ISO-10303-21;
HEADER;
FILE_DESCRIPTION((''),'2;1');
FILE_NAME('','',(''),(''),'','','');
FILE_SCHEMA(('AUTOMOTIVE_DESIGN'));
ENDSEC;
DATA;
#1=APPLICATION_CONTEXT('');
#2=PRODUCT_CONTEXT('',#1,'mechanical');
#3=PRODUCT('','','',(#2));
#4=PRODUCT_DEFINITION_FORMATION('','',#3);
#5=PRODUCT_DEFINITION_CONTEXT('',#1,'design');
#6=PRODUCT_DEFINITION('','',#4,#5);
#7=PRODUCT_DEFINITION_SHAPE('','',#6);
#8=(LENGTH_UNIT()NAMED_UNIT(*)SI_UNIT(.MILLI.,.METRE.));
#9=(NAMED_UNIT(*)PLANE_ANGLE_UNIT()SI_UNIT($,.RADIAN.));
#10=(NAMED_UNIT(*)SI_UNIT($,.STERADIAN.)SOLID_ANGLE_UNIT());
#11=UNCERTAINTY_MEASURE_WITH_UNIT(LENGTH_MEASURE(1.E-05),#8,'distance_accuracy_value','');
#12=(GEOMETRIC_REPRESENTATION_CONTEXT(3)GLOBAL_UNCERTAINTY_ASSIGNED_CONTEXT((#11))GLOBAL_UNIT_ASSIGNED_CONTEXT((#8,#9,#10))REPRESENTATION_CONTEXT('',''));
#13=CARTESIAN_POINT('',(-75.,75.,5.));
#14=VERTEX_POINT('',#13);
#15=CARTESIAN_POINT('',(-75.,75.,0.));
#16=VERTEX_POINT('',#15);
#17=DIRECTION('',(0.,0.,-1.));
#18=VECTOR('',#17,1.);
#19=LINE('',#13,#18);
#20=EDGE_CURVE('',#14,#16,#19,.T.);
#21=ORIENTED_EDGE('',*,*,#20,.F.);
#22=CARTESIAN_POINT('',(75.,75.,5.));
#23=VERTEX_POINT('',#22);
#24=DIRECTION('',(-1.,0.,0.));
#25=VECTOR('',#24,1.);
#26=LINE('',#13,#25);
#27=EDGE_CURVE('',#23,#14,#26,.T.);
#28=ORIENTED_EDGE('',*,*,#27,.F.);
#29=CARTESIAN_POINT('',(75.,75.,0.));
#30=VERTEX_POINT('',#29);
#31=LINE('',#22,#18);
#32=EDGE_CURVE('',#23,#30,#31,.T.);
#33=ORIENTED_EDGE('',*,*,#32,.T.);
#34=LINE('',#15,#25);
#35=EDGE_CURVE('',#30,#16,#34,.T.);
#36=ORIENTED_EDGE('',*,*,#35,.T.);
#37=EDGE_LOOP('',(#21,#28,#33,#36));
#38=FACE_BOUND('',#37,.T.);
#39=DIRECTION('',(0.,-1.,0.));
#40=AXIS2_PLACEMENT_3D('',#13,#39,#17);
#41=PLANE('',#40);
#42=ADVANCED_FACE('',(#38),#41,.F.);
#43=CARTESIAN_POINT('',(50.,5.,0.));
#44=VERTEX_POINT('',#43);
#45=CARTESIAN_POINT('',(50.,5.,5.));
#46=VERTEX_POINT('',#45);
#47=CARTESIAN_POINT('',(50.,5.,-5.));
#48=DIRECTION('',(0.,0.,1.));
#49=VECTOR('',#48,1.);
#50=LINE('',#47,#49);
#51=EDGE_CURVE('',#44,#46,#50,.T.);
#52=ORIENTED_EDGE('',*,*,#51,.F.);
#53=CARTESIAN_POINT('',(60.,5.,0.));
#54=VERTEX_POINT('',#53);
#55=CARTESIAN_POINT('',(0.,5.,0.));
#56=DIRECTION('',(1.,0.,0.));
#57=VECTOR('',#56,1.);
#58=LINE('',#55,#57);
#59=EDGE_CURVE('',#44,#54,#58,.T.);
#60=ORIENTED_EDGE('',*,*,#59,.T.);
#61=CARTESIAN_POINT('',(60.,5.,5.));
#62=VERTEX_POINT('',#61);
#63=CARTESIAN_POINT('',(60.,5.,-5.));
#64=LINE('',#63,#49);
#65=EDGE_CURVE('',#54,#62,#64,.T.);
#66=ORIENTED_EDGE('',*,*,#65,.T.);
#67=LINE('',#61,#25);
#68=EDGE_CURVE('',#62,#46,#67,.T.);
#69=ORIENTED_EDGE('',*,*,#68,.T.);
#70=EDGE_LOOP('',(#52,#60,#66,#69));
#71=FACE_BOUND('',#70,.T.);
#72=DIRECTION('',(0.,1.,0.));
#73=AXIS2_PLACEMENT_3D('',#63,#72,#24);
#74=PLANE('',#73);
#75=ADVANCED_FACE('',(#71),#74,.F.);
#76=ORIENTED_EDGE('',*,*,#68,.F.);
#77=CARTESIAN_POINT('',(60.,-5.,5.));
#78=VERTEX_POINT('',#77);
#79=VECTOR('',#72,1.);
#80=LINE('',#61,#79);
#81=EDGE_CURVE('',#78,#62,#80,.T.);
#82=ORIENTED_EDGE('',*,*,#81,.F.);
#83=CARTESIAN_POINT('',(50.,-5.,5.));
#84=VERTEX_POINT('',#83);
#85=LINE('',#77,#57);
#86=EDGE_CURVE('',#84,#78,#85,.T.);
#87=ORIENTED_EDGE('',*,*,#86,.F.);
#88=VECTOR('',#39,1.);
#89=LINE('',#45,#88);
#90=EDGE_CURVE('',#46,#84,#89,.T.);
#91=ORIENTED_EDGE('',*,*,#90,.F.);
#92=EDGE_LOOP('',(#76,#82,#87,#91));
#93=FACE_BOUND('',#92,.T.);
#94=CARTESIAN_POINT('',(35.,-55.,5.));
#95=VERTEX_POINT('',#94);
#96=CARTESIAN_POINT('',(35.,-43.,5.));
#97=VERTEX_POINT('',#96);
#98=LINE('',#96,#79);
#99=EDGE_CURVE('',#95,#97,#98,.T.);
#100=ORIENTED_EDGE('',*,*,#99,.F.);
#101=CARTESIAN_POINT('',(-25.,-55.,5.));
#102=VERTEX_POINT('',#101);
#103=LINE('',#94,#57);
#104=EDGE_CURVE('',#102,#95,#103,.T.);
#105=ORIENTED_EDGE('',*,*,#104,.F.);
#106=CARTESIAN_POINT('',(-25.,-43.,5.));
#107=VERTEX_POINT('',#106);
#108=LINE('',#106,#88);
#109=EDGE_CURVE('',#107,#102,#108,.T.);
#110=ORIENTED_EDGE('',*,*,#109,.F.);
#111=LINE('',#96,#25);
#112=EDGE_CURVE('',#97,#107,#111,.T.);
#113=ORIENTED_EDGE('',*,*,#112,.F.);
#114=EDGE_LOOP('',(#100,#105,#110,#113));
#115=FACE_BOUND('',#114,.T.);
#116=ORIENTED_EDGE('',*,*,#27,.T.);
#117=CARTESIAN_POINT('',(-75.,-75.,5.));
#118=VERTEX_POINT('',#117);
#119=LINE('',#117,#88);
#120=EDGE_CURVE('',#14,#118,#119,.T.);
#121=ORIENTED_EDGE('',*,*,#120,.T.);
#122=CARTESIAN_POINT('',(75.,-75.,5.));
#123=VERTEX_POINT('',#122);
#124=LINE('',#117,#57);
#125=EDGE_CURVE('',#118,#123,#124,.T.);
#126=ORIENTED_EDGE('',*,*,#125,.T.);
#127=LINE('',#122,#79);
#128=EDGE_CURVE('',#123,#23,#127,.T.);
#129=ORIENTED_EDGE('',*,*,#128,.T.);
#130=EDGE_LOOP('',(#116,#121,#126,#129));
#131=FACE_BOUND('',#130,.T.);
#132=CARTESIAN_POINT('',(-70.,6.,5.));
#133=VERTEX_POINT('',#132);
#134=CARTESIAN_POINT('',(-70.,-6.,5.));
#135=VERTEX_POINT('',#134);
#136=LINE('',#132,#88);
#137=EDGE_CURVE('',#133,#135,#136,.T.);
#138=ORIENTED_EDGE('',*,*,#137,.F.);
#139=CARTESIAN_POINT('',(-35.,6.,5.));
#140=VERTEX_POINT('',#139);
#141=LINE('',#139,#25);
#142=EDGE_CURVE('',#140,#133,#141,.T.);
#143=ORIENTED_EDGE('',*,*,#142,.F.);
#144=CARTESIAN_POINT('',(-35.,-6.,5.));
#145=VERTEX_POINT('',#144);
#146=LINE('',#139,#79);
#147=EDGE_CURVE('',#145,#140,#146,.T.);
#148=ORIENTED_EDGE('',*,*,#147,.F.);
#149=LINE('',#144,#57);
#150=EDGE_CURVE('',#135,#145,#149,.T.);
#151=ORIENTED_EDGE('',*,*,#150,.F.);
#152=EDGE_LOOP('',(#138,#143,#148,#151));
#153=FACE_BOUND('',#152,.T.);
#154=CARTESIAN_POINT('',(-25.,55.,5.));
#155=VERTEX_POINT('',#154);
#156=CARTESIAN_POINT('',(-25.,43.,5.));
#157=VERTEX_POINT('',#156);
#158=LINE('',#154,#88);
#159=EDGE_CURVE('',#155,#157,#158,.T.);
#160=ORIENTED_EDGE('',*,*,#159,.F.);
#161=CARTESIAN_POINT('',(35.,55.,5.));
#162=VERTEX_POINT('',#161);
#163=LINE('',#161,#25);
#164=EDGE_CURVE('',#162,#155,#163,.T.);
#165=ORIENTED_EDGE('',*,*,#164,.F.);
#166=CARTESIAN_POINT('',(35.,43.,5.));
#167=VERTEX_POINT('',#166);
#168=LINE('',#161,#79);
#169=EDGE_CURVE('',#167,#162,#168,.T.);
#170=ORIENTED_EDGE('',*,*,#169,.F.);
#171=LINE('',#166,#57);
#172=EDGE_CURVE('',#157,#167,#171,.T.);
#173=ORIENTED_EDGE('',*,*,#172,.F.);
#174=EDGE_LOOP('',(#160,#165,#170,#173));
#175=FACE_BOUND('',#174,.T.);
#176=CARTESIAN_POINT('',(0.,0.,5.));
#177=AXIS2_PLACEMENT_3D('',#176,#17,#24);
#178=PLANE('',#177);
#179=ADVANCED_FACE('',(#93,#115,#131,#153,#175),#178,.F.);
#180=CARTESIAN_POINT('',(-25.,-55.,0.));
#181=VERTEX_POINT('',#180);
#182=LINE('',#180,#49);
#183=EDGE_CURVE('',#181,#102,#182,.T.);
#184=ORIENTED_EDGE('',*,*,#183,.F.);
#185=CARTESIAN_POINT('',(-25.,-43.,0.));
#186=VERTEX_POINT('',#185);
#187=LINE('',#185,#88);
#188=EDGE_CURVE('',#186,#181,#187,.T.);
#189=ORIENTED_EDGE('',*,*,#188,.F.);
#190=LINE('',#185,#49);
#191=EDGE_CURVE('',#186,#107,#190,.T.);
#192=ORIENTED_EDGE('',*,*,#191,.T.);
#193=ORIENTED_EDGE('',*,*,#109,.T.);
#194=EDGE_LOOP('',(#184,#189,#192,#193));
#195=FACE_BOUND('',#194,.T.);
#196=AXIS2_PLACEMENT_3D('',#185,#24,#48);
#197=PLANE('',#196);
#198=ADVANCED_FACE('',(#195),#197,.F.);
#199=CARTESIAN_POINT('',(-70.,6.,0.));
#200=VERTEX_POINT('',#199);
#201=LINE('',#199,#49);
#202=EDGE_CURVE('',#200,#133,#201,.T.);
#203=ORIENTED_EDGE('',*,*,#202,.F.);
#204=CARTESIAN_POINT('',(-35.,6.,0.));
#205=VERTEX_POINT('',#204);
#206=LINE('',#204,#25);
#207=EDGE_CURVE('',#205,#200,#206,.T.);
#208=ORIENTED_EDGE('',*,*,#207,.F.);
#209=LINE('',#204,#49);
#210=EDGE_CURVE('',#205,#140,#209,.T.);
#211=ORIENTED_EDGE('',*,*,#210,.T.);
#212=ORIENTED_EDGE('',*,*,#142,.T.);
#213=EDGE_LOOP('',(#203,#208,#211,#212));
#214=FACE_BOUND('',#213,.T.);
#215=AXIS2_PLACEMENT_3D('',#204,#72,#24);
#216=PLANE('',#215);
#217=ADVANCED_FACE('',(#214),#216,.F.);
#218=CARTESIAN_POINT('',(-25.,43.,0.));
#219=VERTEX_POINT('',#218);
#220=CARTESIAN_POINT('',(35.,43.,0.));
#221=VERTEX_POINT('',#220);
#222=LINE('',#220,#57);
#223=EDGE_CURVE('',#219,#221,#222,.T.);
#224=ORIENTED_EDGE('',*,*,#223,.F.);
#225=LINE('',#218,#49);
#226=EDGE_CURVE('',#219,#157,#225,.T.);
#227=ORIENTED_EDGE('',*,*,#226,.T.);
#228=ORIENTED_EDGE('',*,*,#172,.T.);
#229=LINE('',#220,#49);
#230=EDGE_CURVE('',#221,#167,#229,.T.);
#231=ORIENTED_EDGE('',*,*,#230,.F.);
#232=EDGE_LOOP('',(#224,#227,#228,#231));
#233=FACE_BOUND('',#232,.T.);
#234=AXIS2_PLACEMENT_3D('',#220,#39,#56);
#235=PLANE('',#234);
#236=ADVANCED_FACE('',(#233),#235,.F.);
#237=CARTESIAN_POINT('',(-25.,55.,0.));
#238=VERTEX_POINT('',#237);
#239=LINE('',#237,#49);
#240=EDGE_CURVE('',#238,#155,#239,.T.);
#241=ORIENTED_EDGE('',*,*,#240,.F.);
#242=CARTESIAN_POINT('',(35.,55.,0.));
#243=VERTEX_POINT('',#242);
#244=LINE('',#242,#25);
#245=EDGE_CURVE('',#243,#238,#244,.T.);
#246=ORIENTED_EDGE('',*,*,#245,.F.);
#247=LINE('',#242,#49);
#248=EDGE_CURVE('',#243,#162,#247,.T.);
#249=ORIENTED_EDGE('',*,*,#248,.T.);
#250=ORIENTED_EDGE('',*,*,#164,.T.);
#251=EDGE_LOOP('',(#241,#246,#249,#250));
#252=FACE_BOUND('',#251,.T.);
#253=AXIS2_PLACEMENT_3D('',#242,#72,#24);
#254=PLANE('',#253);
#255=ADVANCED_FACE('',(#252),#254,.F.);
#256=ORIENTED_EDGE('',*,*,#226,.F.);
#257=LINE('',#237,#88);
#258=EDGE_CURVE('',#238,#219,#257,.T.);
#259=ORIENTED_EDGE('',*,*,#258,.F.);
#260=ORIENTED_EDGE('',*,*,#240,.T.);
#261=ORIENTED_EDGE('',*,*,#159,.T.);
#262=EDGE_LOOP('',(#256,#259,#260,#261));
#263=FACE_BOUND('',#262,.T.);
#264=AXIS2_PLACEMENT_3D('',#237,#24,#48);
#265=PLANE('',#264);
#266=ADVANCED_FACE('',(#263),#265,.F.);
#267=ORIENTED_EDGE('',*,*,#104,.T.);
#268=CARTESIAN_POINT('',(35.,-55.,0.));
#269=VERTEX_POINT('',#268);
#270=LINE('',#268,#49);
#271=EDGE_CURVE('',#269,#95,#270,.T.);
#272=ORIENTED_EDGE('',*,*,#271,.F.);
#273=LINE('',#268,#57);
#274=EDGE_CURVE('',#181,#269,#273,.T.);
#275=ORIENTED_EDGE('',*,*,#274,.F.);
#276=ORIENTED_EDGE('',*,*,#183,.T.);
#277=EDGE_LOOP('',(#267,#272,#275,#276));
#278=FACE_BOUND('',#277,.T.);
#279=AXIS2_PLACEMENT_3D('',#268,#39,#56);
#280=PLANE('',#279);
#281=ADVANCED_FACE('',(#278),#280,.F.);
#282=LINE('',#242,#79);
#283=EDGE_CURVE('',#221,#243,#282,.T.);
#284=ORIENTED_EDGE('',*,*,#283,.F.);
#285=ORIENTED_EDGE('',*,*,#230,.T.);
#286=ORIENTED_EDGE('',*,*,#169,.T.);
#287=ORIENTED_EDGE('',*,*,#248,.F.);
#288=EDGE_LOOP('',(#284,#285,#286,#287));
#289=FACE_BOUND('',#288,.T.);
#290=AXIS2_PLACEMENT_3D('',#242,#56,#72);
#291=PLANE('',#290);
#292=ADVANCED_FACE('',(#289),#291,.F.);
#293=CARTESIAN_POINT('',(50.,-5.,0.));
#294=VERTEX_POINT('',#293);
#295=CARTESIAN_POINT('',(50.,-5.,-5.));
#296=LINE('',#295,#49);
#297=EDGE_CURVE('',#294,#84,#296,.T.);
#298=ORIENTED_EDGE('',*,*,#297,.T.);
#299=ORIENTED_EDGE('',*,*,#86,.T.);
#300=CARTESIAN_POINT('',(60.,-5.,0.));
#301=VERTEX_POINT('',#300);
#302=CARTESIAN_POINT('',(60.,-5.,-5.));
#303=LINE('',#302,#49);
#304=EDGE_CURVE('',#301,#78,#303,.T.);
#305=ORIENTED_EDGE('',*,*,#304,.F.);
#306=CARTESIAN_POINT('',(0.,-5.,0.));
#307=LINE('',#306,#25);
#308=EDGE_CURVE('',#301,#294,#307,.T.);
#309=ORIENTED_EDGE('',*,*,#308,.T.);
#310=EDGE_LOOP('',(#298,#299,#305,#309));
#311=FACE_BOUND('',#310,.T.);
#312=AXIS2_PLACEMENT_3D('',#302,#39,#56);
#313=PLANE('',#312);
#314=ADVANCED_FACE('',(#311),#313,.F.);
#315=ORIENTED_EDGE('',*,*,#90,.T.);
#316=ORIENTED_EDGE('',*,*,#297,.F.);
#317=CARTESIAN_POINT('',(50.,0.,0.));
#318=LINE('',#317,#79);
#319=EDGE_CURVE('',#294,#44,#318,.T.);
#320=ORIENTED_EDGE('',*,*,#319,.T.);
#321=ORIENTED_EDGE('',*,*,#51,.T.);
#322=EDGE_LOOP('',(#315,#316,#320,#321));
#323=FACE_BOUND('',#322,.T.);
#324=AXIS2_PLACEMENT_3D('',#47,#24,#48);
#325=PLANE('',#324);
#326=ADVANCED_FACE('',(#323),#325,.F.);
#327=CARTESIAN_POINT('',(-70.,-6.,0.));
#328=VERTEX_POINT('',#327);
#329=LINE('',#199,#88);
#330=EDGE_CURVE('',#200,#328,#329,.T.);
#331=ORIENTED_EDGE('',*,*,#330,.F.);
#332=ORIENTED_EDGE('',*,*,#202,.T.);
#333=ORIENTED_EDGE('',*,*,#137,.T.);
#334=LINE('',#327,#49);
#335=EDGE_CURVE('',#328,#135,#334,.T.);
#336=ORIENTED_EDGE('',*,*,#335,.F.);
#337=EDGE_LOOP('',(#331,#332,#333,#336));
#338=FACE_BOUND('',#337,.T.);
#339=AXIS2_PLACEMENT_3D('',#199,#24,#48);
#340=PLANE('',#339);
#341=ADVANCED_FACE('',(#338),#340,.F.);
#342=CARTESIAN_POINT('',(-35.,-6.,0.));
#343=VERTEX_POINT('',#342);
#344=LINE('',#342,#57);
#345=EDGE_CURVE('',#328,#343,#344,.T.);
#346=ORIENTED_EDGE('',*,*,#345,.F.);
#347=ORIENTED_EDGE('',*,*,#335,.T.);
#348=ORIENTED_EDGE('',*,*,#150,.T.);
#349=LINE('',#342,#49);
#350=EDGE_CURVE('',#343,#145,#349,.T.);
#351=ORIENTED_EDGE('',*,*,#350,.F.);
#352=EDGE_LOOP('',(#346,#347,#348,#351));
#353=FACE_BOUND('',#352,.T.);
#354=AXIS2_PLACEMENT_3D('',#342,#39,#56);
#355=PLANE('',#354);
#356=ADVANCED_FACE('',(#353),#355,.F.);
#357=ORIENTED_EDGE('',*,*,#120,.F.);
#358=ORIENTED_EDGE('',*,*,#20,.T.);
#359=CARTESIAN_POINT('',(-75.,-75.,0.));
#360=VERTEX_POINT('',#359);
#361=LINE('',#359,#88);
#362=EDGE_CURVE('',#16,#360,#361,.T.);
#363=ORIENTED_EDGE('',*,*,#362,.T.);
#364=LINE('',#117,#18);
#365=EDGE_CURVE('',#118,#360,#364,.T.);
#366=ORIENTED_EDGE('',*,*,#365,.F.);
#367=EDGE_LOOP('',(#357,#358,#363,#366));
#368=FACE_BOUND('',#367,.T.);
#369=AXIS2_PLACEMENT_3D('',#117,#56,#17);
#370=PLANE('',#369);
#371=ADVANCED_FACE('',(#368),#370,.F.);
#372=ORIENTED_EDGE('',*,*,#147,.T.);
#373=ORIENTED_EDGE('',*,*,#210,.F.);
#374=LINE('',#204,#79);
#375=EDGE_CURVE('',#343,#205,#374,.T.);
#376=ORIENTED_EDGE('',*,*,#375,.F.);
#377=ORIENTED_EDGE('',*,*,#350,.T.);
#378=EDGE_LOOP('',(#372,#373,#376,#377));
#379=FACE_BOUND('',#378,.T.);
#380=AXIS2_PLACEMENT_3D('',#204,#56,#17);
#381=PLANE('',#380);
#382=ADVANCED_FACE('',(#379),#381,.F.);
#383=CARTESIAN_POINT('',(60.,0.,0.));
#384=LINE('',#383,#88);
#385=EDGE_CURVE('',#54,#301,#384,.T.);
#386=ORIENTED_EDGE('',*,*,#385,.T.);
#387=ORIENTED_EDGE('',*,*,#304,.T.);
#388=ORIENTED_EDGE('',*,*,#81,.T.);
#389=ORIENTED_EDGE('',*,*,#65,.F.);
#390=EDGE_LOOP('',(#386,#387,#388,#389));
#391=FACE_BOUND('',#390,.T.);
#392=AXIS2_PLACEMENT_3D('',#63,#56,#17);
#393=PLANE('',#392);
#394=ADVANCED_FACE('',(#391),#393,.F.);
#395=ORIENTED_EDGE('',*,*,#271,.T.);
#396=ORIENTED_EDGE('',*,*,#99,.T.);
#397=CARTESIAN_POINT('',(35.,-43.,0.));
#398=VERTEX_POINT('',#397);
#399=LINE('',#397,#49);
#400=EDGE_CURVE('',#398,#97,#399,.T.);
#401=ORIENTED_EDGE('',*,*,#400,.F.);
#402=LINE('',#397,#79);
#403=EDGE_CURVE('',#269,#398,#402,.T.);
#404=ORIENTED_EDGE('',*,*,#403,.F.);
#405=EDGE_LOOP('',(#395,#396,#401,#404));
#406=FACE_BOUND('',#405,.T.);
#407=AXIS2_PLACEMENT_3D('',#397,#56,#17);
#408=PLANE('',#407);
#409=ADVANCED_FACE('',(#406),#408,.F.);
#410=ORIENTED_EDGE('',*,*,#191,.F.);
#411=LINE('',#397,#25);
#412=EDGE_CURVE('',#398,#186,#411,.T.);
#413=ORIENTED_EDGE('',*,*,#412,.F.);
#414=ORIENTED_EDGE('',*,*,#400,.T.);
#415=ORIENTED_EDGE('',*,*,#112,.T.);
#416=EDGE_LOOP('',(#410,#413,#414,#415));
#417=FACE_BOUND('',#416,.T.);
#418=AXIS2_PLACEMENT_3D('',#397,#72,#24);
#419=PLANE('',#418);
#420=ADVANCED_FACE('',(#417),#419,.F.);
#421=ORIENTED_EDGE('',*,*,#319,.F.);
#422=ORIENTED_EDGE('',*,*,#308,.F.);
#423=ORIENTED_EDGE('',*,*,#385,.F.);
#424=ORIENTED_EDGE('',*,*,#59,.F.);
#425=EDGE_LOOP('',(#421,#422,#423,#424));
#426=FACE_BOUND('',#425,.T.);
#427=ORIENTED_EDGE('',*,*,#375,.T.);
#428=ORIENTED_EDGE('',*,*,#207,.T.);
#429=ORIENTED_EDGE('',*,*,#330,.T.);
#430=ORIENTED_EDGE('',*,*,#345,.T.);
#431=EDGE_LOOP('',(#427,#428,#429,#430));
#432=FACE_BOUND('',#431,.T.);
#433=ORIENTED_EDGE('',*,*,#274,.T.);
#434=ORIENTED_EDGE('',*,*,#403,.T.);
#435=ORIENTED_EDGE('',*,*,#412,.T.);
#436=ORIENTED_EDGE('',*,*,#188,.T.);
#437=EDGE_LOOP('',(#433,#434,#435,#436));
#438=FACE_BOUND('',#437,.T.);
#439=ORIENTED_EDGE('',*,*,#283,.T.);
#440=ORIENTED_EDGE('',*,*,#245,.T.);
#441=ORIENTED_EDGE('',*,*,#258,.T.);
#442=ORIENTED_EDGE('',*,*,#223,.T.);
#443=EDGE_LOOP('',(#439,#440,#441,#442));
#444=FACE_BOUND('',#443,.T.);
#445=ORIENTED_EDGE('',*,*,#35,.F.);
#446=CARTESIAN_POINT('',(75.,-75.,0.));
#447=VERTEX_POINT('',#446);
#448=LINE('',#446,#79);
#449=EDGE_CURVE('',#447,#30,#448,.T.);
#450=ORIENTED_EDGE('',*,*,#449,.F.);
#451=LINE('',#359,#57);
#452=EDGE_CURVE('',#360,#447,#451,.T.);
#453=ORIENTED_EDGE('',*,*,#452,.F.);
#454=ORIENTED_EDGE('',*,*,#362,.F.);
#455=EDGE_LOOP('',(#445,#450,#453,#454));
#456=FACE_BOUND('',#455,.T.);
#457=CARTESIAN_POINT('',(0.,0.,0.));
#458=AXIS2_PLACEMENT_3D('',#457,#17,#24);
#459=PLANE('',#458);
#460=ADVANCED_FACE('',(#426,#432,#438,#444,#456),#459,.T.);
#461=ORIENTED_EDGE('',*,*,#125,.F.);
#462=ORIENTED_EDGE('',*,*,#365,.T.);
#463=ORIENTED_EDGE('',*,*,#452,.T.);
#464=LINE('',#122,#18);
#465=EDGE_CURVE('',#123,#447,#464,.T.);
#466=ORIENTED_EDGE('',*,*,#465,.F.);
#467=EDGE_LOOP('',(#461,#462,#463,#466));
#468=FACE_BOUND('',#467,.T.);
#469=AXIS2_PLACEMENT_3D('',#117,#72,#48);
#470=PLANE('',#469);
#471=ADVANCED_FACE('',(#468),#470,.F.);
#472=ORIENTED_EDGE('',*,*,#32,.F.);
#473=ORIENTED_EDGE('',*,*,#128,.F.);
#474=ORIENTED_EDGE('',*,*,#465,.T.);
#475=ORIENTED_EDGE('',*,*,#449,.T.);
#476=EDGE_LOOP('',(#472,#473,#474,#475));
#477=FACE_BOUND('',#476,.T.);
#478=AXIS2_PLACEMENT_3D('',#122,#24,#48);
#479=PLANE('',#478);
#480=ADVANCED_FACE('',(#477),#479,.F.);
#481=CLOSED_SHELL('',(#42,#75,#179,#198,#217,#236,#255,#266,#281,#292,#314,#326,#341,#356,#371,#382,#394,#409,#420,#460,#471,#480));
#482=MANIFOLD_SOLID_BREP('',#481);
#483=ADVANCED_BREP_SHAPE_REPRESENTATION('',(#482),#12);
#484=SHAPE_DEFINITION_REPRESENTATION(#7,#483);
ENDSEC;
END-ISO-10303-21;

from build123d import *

# Parameters (mm, degrees)
ESQUISSE2_W             = 150
ESQUISSE2_H             = 150
BOSS_EXTRU_1_DEPTH      = 5
ESQUISSE3_W             = 60
ESQUISSE3_H             = 12
ESQUISSE3_W_2           = 35
ENL_V_MAT_EXTRU_3_DEPTH = 107.183802908
ESQUISSE4_W             = 10
ESQUISSE4_H             = 10
ENL_V_MAT_EXTRU_4_DEPTH = 10


with BuildPart() as part:
    # Esquisse2 → Boss.-Extru.1 (new body)
    with BuildSketch(Plane.XY):
        Rectangle(ESQUISSE2_W, ESQUISSE2_H)
    extrude(amount=BOSS_EXTRU_1_DEPTH)

    # Esquisse3 → Enlèv. mat.-Extru.3 (cut, through all)
    with BuildSketch(Plane.XY.offset(5)):
        with Locations((5, 49)):
            Rectangle(ESQUISSE3_W, ESQUISSE3_H)
        with Locations((5, -49)):
            Rectangle(ESQUISSE3_W, ESQUISSE3_H)
        with Locations((-52.5, 0)):
            Rectangle(ESQUISSE3_W_2, ESQUISSE3_H)
    extrude(amount=-ENL_V_MAT_EXTRU_3_DEPTH, mode=Mode.SUBTRACT)

    # Esquisse4 → Enlèv. mat.-Extru.4 (cut)
    with BuildSketch(Plane.XY.offset(5)):
        with Locations((55, 0)):
            Rectangle(ESQUISSE4_W, ESQUISSE4_H)
    extrude(amount=-ENL_V_MAT_EXTRU_4_DEPTH, mode=Mode.SUBTRACT)


solid = part.part
